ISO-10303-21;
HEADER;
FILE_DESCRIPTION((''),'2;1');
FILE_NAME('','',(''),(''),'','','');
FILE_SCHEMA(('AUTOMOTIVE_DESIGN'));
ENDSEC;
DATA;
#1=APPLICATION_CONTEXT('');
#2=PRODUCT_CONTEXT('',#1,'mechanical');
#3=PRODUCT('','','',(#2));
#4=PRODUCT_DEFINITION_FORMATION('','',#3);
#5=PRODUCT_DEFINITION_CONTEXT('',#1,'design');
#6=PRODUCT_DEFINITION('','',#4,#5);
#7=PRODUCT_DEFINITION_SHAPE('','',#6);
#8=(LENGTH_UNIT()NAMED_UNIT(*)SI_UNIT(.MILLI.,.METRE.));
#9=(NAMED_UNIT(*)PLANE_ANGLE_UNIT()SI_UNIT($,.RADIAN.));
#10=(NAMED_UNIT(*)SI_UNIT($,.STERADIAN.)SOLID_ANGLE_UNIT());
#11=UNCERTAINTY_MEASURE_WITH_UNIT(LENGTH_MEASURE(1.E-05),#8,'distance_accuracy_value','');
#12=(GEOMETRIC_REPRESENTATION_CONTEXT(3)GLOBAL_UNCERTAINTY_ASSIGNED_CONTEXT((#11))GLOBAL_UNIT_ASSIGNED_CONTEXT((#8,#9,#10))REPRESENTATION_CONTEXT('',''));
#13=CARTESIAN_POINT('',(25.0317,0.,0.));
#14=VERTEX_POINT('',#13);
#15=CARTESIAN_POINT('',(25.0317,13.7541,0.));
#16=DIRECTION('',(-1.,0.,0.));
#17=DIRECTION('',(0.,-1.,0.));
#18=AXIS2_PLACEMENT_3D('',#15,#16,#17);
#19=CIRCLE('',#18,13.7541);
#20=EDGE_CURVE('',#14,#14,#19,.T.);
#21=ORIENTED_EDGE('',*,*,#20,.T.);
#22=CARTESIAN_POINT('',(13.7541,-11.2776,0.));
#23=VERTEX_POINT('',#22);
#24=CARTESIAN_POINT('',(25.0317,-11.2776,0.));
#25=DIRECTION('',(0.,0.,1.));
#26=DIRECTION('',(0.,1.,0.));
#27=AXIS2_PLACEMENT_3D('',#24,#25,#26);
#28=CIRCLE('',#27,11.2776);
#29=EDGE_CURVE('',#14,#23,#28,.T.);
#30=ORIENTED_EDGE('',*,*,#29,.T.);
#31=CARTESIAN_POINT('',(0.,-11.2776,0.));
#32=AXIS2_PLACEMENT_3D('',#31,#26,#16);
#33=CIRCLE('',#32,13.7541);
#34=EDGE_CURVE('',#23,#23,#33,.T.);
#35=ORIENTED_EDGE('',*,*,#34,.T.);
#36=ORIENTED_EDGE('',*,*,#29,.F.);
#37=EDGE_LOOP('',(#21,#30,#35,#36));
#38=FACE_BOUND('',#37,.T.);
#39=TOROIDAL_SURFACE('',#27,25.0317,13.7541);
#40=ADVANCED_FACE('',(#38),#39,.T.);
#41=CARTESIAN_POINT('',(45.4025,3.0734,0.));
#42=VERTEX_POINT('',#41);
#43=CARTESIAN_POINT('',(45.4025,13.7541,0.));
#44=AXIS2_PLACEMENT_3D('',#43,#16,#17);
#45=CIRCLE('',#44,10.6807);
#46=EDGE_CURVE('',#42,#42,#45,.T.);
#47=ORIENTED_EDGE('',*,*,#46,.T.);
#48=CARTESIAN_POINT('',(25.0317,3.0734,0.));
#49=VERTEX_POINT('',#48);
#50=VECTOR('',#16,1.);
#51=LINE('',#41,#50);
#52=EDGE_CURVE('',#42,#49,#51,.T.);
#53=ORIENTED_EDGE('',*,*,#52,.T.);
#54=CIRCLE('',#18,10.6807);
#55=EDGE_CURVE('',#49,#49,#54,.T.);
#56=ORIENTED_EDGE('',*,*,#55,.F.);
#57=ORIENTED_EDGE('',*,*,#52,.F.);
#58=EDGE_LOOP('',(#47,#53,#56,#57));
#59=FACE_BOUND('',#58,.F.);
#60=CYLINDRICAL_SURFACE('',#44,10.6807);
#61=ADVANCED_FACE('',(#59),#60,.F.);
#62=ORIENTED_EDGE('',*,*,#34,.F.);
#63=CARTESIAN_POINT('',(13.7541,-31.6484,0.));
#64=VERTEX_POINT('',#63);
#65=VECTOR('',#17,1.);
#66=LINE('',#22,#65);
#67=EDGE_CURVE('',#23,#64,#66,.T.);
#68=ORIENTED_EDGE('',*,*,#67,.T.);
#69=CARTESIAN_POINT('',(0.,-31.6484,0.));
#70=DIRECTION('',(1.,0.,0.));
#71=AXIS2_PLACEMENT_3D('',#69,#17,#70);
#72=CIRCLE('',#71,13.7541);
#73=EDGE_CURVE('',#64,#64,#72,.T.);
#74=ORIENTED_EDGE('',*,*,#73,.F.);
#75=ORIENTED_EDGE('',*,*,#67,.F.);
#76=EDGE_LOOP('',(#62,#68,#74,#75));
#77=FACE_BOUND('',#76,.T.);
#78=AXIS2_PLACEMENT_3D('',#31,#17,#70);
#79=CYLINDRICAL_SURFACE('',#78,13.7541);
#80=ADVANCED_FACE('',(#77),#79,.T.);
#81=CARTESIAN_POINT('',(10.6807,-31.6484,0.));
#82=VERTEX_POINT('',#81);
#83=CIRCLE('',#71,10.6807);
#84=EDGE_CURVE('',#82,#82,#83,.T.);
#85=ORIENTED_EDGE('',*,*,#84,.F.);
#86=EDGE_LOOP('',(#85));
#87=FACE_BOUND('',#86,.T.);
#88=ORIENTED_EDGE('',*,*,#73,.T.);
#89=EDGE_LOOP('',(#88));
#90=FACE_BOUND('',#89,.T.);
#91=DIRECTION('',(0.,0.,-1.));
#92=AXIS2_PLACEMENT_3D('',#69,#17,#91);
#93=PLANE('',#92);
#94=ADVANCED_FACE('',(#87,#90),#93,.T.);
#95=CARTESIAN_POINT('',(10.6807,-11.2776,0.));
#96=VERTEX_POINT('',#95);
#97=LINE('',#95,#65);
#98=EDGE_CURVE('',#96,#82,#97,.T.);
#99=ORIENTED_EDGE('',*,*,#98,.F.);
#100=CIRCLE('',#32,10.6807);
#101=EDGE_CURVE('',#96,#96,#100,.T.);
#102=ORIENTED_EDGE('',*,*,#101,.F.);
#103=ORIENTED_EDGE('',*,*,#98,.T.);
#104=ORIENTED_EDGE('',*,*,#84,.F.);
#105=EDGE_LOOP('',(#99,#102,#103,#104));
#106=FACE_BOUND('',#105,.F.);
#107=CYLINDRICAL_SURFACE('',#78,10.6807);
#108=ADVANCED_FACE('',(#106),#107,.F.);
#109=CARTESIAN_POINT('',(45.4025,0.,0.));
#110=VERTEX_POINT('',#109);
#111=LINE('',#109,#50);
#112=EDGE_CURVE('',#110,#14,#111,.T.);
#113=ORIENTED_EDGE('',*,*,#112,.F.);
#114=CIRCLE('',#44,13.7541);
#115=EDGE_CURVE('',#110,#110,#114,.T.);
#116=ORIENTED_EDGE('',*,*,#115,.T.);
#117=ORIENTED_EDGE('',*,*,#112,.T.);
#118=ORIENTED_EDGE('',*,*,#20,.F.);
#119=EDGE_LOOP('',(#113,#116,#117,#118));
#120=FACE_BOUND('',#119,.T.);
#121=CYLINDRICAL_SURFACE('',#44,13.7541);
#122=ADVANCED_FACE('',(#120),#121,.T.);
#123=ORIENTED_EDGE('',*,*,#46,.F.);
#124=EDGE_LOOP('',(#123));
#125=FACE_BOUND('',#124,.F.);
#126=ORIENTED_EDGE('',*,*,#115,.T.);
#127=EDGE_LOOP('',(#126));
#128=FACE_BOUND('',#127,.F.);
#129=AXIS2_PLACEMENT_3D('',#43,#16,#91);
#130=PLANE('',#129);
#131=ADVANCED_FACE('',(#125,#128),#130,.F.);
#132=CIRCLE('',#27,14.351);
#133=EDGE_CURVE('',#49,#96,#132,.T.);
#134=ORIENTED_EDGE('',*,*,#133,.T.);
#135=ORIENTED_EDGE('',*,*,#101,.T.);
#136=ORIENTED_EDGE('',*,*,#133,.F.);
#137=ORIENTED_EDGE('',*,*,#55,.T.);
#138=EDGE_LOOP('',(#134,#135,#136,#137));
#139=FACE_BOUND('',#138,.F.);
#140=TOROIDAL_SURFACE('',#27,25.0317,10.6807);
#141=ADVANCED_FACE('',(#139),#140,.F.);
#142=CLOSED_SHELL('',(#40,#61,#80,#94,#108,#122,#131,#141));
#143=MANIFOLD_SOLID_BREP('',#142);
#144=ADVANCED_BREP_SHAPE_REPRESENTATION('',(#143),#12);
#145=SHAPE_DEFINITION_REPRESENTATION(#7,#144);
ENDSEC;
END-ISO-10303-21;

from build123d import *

# Parameters (mm, degrees)
F1_R   = 13.7541
F1_R_2 = 10.6807


with BuildPart() as f3:
    # F3: sweep along a path in F2
    with BuildLine(Plane.XY) as f3_path:
        Line((45.4025, 13.7541), (25.0317, 13.7541))
        ThreePointArc((25.0317, 13.7541), (7.3316151854, 6.4224848146), (0, -11.2776))
        Line((0, -11.2776), (0, -31.6484))
    # F1 (on offset) → F3 (sweep)
    with BuildSketch(Plane.XZ.offset(31.6484)):
        Circle(F1_R)
        Circle(F1_R_2, mode=Mode.SUBTRACT)
    sweep(path=f3_path.line)


solid = f3.part
